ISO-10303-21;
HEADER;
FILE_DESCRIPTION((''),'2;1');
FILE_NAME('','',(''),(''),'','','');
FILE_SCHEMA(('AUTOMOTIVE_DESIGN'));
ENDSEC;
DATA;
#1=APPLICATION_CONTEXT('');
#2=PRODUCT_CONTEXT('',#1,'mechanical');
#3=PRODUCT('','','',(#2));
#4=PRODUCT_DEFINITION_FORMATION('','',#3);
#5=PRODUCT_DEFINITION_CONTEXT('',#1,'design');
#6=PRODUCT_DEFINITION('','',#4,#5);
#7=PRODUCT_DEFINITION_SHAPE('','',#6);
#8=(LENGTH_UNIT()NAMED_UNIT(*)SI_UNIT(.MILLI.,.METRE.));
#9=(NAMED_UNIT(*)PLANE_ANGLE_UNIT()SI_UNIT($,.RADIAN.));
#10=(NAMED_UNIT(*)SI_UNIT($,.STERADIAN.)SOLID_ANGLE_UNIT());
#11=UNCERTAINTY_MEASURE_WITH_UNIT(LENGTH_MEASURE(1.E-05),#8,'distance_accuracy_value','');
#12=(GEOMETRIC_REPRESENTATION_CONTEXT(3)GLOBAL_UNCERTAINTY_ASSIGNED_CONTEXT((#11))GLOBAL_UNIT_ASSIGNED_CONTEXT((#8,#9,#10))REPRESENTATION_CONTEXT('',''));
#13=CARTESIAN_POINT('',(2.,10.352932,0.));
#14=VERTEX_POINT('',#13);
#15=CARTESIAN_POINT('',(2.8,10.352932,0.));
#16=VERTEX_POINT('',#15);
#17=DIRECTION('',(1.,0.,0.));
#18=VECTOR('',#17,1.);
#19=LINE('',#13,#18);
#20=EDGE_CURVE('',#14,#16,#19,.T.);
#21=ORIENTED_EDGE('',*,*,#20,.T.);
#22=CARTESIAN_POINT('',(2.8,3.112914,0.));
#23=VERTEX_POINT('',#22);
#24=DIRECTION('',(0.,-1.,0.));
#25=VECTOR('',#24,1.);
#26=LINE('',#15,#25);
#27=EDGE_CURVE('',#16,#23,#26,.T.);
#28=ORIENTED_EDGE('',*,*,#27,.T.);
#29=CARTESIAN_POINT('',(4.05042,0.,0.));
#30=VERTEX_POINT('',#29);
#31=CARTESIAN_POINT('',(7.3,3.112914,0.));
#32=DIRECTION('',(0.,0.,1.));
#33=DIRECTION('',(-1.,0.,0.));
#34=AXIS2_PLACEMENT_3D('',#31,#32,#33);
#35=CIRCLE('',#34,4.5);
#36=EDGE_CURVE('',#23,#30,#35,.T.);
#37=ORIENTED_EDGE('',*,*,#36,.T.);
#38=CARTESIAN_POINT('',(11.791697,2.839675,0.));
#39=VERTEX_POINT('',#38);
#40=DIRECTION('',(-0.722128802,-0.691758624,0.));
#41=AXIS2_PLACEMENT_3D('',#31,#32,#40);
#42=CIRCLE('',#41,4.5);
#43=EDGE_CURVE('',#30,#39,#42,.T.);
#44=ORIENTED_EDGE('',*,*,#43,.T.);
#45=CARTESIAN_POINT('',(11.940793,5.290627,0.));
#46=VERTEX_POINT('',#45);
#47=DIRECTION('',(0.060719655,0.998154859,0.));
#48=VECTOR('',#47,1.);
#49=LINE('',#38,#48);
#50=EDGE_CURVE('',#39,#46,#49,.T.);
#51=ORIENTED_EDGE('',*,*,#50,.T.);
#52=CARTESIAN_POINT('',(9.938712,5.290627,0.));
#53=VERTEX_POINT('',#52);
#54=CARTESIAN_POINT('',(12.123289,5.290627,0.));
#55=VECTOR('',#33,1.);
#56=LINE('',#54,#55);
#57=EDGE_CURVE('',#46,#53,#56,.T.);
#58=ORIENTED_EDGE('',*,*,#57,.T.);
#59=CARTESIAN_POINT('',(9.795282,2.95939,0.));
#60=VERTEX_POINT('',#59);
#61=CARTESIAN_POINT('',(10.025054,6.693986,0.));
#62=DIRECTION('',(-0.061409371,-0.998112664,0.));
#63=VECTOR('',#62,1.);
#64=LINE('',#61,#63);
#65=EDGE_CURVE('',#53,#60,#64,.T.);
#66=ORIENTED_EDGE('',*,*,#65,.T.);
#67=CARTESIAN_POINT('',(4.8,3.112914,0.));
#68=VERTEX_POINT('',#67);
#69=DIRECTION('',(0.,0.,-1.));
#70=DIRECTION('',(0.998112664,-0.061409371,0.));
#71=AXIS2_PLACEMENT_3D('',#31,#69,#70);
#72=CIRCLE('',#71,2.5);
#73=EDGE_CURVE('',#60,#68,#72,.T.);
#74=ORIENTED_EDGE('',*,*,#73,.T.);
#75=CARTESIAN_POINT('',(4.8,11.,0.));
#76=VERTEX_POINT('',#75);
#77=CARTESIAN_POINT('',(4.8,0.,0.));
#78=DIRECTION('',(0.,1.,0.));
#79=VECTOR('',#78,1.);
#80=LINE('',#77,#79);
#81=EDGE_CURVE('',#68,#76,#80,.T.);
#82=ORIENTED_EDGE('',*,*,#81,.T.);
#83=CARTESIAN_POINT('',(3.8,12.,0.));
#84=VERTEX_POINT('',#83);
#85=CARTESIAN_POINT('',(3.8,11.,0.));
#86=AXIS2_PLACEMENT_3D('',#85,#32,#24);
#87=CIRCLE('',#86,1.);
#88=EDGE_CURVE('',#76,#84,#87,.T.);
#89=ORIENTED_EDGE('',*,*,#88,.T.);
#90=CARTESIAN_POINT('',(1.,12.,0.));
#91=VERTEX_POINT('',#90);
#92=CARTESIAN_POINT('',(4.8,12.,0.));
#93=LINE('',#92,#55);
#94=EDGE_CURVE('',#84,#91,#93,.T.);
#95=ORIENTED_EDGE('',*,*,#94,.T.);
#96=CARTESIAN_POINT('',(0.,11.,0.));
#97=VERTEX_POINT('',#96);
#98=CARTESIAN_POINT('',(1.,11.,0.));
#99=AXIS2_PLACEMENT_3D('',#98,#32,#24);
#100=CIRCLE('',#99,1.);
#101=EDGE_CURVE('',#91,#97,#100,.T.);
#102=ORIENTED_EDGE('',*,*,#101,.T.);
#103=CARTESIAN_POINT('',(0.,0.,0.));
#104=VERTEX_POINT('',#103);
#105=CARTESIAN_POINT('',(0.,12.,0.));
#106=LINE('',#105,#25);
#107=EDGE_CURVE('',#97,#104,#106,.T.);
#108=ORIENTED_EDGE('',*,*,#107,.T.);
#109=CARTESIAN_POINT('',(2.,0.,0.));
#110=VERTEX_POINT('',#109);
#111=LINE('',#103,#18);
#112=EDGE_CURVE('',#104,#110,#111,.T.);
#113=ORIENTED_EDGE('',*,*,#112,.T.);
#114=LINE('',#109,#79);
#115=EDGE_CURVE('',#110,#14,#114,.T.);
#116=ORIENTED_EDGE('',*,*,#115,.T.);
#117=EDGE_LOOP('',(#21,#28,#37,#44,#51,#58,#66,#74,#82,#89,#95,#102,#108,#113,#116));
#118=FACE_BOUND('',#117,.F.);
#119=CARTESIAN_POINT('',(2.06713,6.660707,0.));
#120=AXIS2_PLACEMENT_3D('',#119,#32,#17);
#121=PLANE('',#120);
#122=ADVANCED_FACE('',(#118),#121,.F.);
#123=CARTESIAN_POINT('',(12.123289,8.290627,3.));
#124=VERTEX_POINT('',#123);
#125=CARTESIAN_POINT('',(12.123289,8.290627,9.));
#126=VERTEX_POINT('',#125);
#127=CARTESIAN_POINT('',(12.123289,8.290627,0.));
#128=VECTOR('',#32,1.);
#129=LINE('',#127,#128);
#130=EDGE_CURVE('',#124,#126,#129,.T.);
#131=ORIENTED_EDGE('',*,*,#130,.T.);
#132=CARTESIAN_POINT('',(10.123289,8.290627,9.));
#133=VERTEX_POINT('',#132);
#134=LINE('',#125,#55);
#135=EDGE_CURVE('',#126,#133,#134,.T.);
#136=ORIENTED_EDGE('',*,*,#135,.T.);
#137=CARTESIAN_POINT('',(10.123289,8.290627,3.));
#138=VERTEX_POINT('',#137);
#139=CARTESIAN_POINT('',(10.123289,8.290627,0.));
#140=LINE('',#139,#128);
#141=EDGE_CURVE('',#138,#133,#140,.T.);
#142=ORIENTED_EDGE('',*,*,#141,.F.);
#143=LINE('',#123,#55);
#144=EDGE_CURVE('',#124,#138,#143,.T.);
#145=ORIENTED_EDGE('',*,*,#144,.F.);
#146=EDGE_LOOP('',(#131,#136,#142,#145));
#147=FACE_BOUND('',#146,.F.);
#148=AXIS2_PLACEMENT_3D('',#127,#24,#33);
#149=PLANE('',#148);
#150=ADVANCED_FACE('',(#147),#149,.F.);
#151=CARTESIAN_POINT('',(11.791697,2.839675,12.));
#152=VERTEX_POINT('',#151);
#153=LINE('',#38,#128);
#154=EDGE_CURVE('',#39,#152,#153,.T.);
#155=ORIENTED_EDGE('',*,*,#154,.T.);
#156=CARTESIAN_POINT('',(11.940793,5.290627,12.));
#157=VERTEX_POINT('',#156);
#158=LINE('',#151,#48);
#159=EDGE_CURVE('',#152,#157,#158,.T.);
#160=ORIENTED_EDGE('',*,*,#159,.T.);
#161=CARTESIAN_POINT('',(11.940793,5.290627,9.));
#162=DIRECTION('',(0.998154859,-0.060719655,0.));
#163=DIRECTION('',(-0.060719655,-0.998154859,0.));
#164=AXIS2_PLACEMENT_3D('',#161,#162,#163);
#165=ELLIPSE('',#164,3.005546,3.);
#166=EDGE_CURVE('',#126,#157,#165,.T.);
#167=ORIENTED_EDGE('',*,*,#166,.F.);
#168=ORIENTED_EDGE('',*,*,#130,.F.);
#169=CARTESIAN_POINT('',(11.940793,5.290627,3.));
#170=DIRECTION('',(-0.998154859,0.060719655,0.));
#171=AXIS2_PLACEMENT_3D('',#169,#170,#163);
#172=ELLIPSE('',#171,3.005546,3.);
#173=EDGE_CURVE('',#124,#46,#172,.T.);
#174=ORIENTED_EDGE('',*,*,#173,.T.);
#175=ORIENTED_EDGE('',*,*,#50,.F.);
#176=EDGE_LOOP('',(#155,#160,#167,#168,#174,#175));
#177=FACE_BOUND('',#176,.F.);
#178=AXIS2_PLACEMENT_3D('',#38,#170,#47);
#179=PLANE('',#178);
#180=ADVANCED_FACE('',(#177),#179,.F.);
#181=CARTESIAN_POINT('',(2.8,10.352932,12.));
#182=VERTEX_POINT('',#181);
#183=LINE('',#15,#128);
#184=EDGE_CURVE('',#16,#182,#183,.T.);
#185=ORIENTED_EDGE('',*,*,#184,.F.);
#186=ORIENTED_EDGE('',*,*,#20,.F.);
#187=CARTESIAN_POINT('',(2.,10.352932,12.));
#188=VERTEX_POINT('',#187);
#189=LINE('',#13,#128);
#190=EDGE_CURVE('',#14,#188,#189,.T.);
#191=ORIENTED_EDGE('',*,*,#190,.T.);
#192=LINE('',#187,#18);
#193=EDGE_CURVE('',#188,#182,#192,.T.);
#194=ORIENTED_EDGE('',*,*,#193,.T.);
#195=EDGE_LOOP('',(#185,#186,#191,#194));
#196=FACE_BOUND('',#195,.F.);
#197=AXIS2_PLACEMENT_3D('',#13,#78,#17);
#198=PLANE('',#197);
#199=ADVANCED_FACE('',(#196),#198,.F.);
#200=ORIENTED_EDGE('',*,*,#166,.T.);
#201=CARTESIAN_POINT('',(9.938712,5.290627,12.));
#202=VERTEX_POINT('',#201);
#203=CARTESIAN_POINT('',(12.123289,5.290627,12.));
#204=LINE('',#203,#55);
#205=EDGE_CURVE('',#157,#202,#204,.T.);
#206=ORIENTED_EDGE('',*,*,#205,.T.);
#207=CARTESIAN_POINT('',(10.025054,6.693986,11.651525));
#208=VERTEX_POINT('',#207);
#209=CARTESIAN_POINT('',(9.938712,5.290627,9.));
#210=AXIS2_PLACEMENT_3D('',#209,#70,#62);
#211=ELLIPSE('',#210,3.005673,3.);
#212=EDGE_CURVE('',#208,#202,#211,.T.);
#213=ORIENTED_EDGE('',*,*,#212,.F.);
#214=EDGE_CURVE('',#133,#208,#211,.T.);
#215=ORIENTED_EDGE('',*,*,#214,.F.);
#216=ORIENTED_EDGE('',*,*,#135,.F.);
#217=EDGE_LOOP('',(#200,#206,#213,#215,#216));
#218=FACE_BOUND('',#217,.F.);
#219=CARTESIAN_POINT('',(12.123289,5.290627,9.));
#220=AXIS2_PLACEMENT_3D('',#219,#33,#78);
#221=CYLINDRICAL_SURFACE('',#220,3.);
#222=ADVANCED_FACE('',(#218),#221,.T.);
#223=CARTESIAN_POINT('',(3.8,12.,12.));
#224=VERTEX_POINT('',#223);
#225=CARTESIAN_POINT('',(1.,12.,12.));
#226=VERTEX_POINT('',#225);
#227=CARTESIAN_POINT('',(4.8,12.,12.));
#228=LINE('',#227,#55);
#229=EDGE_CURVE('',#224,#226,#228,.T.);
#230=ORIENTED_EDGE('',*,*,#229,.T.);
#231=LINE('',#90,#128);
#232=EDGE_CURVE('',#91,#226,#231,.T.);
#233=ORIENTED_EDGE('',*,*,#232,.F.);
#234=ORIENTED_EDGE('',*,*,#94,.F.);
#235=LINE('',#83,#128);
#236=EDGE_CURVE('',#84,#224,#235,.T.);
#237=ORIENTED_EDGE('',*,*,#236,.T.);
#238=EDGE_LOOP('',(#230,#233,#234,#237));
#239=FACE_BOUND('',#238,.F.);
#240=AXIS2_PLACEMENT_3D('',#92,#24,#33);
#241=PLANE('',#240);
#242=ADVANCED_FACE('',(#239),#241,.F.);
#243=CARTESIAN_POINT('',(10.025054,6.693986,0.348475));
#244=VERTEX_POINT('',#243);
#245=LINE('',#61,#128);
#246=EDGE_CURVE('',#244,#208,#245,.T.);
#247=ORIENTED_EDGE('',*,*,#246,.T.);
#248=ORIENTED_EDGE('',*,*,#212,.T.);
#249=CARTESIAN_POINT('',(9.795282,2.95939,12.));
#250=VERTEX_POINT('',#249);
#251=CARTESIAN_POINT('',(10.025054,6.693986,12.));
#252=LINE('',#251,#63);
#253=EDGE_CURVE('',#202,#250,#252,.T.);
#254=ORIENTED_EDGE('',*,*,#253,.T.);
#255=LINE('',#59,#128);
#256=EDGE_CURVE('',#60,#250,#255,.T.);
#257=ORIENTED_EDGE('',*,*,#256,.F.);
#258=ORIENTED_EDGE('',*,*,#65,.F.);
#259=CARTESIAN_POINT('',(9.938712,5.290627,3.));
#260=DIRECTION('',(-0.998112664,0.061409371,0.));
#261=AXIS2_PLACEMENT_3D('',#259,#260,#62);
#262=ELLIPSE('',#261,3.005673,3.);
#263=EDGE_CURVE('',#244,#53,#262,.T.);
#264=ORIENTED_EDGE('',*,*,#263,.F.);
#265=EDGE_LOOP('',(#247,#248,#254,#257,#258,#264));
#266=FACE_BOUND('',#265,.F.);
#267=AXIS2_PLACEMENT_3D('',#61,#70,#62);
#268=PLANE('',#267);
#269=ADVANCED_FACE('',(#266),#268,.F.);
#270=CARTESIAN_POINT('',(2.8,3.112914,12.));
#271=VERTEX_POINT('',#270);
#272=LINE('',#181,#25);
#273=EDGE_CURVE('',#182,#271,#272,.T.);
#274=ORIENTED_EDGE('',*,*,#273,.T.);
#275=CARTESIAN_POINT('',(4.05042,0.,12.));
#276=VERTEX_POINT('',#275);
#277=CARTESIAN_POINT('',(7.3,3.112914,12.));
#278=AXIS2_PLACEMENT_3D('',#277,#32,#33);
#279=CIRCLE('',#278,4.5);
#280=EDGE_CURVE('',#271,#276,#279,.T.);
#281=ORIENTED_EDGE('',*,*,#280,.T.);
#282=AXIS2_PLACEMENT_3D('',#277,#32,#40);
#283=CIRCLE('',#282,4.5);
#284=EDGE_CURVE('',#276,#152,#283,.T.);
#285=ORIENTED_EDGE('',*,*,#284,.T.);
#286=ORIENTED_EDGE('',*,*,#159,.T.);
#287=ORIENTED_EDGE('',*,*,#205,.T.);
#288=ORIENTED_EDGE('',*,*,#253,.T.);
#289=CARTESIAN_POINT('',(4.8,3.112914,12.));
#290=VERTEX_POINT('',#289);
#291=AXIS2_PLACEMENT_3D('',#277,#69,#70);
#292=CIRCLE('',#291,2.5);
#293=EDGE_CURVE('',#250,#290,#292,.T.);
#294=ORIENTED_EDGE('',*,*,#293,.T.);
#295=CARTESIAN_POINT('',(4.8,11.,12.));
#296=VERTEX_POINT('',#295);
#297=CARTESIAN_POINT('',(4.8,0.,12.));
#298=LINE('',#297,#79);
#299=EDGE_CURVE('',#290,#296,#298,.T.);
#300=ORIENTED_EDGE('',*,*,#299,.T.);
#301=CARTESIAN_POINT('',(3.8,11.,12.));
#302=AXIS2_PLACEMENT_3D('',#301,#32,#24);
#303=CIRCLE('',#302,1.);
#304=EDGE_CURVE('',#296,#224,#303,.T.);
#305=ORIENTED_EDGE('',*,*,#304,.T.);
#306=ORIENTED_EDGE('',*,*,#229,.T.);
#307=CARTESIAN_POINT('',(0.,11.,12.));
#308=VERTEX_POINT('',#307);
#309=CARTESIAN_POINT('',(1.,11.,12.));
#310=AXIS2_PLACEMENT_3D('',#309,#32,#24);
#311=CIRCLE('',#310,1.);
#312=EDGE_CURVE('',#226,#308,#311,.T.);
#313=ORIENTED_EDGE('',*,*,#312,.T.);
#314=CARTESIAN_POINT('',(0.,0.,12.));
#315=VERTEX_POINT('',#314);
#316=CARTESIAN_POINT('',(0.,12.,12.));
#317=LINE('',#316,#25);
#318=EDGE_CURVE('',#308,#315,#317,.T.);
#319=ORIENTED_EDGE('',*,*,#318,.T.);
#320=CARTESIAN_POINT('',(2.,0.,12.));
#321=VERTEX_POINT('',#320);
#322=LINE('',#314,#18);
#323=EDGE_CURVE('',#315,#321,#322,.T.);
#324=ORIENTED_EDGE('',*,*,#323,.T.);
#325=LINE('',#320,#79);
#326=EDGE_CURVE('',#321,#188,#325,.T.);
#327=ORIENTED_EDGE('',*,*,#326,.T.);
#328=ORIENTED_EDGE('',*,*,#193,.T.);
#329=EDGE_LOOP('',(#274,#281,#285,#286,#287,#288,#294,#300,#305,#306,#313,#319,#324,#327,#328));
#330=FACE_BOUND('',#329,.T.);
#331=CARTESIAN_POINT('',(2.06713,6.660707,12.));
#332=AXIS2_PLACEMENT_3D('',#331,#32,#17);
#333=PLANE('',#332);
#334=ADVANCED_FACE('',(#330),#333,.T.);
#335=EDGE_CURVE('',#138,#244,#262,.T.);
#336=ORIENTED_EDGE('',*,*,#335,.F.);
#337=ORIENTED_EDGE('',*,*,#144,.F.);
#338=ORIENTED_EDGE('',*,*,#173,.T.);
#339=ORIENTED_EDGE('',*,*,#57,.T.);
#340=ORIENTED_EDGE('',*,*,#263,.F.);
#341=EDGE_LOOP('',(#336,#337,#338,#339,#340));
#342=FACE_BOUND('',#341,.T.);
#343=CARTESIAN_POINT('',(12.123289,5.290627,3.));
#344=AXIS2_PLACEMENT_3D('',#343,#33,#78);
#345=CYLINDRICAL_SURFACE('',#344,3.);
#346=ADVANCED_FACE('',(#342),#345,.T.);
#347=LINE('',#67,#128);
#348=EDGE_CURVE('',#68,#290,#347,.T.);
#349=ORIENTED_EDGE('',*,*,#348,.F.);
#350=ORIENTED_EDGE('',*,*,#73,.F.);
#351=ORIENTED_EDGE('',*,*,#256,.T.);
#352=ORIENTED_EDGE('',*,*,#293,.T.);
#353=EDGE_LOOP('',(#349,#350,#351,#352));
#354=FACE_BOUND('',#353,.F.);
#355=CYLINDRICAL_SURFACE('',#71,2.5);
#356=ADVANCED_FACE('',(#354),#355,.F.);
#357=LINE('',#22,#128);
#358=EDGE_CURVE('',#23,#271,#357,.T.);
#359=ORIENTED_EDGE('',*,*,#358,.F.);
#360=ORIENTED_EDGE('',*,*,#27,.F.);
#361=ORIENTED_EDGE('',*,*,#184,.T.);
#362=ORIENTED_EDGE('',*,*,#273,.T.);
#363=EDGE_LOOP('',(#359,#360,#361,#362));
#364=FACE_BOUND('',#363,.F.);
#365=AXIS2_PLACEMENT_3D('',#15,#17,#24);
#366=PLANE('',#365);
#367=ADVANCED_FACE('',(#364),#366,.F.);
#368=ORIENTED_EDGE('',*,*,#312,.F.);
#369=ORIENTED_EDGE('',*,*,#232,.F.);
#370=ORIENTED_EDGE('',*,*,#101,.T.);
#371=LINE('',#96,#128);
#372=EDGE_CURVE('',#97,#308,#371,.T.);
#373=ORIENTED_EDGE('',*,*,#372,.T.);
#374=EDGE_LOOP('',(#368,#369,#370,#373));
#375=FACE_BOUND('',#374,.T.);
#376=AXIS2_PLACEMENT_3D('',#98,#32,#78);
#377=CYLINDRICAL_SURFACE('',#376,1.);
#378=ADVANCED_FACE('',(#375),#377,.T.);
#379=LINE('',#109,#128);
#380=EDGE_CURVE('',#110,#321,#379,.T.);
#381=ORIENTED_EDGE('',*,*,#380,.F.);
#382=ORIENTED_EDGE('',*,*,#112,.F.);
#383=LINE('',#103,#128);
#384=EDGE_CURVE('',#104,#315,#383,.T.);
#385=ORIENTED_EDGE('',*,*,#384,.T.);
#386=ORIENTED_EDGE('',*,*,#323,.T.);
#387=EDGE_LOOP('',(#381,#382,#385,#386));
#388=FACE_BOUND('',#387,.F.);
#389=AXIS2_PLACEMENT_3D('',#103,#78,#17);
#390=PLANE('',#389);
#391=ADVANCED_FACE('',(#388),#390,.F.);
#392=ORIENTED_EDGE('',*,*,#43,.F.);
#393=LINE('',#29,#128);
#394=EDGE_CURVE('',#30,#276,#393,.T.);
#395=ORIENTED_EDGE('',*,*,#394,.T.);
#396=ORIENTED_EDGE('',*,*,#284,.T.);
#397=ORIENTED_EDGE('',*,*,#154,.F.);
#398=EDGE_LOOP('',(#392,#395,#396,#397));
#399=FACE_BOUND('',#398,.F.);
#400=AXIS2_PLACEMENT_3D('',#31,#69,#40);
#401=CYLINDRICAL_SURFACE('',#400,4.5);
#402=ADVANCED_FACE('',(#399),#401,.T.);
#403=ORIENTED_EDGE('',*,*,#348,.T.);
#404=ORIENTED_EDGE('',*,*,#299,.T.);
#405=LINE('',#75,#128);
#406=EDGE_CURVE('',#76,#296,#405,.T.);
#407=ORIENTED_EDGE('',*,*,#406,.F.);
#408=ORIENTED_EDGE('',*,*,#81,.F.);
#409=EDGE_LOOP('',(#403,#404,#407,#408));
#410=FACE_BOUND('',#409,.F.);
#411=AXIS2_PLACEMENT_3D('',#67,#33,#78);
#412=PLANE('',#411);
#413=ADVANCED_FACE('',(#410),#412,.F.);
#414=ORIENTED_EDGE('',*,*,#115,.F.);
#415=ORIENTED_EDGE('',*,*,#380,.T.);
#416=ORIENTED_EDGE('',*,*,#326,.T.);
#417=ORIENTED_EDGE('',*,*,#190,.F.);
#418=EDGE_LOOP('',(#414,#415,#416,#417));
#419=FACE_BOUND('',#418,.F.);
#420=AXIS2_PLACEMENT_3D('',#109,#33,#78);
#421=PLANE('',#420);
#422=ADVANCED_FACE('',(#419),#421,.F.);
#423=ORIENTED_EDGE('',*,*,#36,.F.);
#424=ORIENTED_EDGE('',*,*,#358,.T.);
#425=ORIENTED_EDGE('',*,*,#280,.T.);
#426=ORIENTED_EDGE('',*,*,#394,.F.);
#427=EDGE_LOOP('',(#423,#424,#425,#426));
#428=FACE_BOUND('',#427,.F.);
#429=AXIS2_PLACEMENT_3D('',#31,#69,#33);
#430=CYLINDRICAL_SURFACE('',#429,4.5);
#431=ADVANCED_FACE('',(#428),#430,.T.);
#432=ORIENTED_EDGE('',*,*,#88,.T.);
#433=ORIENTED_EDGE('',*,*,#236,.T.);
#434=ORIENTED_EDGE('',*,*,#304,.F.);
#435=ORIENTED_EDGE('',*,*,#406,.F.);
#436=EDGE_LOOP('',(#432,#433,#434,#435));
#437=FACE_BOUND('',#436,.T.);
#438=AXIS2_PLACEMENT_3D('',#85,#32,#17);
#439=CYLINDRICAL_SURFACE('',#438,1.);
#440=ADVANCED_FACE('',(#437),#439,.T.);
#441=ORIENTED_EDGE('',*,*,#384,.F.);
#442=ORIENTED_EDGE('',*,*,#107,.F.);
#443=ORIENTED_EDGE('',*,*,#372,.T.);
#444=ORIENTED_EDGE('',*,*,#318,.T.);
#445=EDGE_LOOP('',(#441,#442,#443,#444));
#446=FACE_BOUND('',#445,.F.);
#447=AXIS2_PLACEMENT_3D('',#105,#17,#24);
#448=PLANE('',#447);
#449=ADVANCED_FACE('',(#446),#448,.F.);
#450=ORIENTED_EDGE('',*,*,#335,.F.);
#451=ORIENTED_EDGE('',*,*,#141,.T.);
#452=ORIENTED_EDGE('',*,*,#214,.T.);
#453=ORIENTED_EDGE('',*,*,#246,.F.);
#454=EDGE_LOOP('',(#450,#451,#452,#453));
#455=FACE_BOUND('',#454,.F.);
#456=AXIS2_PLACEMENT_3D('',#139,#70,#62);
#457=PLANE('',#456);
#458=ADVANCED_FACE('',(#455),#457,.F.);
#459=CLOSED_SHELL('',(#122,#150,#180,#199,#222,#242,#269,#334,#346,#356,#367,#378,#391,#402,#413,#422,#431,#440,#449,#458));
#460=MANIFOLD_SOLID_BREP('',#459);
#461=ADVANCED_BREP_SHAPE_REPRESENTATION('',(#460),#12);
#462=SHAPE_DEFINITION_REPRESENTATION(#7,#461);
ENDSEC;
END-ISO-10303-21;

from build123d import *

# Parameters (mm, degrees)
F1_DEPTH = 12
F2_R     = 3
F3_R     = 1


with BuildPart() as f1:
    # F0 (on Top) → F1 (new body)
    with BuildSketch(Plane.XY):
        with BuildLine():
            Line((0, 12), (0, 0))
            Line((0, 0), (2, 0))
            Line((2, 0), (2, 10.3529319381))
            Line((2, 10.3529319381), (2.8, 10.3529319381))
            Line((2.8, 10.3529319381), (2.8, 3.1129138079))
            ThreePointArc((2.8, 3.1129138079), (3.3313730334, 5.2342341514), (4.8, 6.8545711946))
            Line((4.8, 6.8545711946), (4.8, 12))
            Line((4.8, 12), (0, 12))
        make_face()
        with BuildLine():
            Line((4.8, 3.1129138079), (4.8, 6.8545711946))
            ThreePointArc((4.8, 6.8545711946), (3.3313730334, 5.2342341514), (2.8, 3.1129138079))
            ThreePointArc((2.8, 3.1129138079), (3.1242899865, 1.4355808405), (4.0504203926, 0))
            Line((4.0504203926, 0), (4.8, 0))
            Line((4.8, 0), (4.8, 3.1129138079))
        make_face()
        with BuildLine():
            ThreePointArc((9.7952816589, 2.9593903809), (7.2232020421, 0.6140936715), (4.8, 3.1129138079))
            Line((4.8, 3.1129138079), (4.8, 0))
            Line((4.8, 0), (4.0504203926, 0))
            ThreePointArc((4.0504203926, 0), (8.8497267048, -1.1118166144), (11.7916968676, 2.83967536))
            ThreePointArc((11.7916968676, 2.83967536), (11.7979237379, 2.9762315199), (11.8, 3.1129138079))
            ThreePointArc((11.8, 3.1129138079), (11.3319192193, 5.1113200252), (10.0250544847, 6.6939860014))
            Line((10.0250544847, 6.6939860014), (9.7952816589, 2.9593903809))
        make_face()
        with BuildLine():
            Line((10.1232885867, 8.290626709), (10.0250544847, 6.6939860014))
            ThreePointArc((10.0250544847, 6.6939860014), (11.3319192193, 5.1113200252), (11.8, 3.1129138079))
            ThreePointArc((11.8, 3.1129138079), (11.7979237379, 2.9762315199), (11.7916968676, 2.83967536))
            Line((11.7916968676, 2.83967536), (12.1232885867, 8.290626709))
            Line((12.1232885867, 8.290626709), (10.1232885867, 8.290626709))
        make_face()
    extrude(amount=F1_DEPTH)

    # F2
    f2_edges = [f1.edges().sort_by_distance(p)[0] for p in [
        (11.123289, 8.290627, 12),
        (11.123289, 8.290627, 0),
    ]]
    fillet(f2_edges, radius=F2_R)

    # F3
    f3_edges = [f1.edges().sort_by_distance(p)[0] for p in [
        (0, 12, 6),
        (4.8, 12, 6),
    ]]
    fillet(f3_edges, radius=F3_R)


solid = f1.part
